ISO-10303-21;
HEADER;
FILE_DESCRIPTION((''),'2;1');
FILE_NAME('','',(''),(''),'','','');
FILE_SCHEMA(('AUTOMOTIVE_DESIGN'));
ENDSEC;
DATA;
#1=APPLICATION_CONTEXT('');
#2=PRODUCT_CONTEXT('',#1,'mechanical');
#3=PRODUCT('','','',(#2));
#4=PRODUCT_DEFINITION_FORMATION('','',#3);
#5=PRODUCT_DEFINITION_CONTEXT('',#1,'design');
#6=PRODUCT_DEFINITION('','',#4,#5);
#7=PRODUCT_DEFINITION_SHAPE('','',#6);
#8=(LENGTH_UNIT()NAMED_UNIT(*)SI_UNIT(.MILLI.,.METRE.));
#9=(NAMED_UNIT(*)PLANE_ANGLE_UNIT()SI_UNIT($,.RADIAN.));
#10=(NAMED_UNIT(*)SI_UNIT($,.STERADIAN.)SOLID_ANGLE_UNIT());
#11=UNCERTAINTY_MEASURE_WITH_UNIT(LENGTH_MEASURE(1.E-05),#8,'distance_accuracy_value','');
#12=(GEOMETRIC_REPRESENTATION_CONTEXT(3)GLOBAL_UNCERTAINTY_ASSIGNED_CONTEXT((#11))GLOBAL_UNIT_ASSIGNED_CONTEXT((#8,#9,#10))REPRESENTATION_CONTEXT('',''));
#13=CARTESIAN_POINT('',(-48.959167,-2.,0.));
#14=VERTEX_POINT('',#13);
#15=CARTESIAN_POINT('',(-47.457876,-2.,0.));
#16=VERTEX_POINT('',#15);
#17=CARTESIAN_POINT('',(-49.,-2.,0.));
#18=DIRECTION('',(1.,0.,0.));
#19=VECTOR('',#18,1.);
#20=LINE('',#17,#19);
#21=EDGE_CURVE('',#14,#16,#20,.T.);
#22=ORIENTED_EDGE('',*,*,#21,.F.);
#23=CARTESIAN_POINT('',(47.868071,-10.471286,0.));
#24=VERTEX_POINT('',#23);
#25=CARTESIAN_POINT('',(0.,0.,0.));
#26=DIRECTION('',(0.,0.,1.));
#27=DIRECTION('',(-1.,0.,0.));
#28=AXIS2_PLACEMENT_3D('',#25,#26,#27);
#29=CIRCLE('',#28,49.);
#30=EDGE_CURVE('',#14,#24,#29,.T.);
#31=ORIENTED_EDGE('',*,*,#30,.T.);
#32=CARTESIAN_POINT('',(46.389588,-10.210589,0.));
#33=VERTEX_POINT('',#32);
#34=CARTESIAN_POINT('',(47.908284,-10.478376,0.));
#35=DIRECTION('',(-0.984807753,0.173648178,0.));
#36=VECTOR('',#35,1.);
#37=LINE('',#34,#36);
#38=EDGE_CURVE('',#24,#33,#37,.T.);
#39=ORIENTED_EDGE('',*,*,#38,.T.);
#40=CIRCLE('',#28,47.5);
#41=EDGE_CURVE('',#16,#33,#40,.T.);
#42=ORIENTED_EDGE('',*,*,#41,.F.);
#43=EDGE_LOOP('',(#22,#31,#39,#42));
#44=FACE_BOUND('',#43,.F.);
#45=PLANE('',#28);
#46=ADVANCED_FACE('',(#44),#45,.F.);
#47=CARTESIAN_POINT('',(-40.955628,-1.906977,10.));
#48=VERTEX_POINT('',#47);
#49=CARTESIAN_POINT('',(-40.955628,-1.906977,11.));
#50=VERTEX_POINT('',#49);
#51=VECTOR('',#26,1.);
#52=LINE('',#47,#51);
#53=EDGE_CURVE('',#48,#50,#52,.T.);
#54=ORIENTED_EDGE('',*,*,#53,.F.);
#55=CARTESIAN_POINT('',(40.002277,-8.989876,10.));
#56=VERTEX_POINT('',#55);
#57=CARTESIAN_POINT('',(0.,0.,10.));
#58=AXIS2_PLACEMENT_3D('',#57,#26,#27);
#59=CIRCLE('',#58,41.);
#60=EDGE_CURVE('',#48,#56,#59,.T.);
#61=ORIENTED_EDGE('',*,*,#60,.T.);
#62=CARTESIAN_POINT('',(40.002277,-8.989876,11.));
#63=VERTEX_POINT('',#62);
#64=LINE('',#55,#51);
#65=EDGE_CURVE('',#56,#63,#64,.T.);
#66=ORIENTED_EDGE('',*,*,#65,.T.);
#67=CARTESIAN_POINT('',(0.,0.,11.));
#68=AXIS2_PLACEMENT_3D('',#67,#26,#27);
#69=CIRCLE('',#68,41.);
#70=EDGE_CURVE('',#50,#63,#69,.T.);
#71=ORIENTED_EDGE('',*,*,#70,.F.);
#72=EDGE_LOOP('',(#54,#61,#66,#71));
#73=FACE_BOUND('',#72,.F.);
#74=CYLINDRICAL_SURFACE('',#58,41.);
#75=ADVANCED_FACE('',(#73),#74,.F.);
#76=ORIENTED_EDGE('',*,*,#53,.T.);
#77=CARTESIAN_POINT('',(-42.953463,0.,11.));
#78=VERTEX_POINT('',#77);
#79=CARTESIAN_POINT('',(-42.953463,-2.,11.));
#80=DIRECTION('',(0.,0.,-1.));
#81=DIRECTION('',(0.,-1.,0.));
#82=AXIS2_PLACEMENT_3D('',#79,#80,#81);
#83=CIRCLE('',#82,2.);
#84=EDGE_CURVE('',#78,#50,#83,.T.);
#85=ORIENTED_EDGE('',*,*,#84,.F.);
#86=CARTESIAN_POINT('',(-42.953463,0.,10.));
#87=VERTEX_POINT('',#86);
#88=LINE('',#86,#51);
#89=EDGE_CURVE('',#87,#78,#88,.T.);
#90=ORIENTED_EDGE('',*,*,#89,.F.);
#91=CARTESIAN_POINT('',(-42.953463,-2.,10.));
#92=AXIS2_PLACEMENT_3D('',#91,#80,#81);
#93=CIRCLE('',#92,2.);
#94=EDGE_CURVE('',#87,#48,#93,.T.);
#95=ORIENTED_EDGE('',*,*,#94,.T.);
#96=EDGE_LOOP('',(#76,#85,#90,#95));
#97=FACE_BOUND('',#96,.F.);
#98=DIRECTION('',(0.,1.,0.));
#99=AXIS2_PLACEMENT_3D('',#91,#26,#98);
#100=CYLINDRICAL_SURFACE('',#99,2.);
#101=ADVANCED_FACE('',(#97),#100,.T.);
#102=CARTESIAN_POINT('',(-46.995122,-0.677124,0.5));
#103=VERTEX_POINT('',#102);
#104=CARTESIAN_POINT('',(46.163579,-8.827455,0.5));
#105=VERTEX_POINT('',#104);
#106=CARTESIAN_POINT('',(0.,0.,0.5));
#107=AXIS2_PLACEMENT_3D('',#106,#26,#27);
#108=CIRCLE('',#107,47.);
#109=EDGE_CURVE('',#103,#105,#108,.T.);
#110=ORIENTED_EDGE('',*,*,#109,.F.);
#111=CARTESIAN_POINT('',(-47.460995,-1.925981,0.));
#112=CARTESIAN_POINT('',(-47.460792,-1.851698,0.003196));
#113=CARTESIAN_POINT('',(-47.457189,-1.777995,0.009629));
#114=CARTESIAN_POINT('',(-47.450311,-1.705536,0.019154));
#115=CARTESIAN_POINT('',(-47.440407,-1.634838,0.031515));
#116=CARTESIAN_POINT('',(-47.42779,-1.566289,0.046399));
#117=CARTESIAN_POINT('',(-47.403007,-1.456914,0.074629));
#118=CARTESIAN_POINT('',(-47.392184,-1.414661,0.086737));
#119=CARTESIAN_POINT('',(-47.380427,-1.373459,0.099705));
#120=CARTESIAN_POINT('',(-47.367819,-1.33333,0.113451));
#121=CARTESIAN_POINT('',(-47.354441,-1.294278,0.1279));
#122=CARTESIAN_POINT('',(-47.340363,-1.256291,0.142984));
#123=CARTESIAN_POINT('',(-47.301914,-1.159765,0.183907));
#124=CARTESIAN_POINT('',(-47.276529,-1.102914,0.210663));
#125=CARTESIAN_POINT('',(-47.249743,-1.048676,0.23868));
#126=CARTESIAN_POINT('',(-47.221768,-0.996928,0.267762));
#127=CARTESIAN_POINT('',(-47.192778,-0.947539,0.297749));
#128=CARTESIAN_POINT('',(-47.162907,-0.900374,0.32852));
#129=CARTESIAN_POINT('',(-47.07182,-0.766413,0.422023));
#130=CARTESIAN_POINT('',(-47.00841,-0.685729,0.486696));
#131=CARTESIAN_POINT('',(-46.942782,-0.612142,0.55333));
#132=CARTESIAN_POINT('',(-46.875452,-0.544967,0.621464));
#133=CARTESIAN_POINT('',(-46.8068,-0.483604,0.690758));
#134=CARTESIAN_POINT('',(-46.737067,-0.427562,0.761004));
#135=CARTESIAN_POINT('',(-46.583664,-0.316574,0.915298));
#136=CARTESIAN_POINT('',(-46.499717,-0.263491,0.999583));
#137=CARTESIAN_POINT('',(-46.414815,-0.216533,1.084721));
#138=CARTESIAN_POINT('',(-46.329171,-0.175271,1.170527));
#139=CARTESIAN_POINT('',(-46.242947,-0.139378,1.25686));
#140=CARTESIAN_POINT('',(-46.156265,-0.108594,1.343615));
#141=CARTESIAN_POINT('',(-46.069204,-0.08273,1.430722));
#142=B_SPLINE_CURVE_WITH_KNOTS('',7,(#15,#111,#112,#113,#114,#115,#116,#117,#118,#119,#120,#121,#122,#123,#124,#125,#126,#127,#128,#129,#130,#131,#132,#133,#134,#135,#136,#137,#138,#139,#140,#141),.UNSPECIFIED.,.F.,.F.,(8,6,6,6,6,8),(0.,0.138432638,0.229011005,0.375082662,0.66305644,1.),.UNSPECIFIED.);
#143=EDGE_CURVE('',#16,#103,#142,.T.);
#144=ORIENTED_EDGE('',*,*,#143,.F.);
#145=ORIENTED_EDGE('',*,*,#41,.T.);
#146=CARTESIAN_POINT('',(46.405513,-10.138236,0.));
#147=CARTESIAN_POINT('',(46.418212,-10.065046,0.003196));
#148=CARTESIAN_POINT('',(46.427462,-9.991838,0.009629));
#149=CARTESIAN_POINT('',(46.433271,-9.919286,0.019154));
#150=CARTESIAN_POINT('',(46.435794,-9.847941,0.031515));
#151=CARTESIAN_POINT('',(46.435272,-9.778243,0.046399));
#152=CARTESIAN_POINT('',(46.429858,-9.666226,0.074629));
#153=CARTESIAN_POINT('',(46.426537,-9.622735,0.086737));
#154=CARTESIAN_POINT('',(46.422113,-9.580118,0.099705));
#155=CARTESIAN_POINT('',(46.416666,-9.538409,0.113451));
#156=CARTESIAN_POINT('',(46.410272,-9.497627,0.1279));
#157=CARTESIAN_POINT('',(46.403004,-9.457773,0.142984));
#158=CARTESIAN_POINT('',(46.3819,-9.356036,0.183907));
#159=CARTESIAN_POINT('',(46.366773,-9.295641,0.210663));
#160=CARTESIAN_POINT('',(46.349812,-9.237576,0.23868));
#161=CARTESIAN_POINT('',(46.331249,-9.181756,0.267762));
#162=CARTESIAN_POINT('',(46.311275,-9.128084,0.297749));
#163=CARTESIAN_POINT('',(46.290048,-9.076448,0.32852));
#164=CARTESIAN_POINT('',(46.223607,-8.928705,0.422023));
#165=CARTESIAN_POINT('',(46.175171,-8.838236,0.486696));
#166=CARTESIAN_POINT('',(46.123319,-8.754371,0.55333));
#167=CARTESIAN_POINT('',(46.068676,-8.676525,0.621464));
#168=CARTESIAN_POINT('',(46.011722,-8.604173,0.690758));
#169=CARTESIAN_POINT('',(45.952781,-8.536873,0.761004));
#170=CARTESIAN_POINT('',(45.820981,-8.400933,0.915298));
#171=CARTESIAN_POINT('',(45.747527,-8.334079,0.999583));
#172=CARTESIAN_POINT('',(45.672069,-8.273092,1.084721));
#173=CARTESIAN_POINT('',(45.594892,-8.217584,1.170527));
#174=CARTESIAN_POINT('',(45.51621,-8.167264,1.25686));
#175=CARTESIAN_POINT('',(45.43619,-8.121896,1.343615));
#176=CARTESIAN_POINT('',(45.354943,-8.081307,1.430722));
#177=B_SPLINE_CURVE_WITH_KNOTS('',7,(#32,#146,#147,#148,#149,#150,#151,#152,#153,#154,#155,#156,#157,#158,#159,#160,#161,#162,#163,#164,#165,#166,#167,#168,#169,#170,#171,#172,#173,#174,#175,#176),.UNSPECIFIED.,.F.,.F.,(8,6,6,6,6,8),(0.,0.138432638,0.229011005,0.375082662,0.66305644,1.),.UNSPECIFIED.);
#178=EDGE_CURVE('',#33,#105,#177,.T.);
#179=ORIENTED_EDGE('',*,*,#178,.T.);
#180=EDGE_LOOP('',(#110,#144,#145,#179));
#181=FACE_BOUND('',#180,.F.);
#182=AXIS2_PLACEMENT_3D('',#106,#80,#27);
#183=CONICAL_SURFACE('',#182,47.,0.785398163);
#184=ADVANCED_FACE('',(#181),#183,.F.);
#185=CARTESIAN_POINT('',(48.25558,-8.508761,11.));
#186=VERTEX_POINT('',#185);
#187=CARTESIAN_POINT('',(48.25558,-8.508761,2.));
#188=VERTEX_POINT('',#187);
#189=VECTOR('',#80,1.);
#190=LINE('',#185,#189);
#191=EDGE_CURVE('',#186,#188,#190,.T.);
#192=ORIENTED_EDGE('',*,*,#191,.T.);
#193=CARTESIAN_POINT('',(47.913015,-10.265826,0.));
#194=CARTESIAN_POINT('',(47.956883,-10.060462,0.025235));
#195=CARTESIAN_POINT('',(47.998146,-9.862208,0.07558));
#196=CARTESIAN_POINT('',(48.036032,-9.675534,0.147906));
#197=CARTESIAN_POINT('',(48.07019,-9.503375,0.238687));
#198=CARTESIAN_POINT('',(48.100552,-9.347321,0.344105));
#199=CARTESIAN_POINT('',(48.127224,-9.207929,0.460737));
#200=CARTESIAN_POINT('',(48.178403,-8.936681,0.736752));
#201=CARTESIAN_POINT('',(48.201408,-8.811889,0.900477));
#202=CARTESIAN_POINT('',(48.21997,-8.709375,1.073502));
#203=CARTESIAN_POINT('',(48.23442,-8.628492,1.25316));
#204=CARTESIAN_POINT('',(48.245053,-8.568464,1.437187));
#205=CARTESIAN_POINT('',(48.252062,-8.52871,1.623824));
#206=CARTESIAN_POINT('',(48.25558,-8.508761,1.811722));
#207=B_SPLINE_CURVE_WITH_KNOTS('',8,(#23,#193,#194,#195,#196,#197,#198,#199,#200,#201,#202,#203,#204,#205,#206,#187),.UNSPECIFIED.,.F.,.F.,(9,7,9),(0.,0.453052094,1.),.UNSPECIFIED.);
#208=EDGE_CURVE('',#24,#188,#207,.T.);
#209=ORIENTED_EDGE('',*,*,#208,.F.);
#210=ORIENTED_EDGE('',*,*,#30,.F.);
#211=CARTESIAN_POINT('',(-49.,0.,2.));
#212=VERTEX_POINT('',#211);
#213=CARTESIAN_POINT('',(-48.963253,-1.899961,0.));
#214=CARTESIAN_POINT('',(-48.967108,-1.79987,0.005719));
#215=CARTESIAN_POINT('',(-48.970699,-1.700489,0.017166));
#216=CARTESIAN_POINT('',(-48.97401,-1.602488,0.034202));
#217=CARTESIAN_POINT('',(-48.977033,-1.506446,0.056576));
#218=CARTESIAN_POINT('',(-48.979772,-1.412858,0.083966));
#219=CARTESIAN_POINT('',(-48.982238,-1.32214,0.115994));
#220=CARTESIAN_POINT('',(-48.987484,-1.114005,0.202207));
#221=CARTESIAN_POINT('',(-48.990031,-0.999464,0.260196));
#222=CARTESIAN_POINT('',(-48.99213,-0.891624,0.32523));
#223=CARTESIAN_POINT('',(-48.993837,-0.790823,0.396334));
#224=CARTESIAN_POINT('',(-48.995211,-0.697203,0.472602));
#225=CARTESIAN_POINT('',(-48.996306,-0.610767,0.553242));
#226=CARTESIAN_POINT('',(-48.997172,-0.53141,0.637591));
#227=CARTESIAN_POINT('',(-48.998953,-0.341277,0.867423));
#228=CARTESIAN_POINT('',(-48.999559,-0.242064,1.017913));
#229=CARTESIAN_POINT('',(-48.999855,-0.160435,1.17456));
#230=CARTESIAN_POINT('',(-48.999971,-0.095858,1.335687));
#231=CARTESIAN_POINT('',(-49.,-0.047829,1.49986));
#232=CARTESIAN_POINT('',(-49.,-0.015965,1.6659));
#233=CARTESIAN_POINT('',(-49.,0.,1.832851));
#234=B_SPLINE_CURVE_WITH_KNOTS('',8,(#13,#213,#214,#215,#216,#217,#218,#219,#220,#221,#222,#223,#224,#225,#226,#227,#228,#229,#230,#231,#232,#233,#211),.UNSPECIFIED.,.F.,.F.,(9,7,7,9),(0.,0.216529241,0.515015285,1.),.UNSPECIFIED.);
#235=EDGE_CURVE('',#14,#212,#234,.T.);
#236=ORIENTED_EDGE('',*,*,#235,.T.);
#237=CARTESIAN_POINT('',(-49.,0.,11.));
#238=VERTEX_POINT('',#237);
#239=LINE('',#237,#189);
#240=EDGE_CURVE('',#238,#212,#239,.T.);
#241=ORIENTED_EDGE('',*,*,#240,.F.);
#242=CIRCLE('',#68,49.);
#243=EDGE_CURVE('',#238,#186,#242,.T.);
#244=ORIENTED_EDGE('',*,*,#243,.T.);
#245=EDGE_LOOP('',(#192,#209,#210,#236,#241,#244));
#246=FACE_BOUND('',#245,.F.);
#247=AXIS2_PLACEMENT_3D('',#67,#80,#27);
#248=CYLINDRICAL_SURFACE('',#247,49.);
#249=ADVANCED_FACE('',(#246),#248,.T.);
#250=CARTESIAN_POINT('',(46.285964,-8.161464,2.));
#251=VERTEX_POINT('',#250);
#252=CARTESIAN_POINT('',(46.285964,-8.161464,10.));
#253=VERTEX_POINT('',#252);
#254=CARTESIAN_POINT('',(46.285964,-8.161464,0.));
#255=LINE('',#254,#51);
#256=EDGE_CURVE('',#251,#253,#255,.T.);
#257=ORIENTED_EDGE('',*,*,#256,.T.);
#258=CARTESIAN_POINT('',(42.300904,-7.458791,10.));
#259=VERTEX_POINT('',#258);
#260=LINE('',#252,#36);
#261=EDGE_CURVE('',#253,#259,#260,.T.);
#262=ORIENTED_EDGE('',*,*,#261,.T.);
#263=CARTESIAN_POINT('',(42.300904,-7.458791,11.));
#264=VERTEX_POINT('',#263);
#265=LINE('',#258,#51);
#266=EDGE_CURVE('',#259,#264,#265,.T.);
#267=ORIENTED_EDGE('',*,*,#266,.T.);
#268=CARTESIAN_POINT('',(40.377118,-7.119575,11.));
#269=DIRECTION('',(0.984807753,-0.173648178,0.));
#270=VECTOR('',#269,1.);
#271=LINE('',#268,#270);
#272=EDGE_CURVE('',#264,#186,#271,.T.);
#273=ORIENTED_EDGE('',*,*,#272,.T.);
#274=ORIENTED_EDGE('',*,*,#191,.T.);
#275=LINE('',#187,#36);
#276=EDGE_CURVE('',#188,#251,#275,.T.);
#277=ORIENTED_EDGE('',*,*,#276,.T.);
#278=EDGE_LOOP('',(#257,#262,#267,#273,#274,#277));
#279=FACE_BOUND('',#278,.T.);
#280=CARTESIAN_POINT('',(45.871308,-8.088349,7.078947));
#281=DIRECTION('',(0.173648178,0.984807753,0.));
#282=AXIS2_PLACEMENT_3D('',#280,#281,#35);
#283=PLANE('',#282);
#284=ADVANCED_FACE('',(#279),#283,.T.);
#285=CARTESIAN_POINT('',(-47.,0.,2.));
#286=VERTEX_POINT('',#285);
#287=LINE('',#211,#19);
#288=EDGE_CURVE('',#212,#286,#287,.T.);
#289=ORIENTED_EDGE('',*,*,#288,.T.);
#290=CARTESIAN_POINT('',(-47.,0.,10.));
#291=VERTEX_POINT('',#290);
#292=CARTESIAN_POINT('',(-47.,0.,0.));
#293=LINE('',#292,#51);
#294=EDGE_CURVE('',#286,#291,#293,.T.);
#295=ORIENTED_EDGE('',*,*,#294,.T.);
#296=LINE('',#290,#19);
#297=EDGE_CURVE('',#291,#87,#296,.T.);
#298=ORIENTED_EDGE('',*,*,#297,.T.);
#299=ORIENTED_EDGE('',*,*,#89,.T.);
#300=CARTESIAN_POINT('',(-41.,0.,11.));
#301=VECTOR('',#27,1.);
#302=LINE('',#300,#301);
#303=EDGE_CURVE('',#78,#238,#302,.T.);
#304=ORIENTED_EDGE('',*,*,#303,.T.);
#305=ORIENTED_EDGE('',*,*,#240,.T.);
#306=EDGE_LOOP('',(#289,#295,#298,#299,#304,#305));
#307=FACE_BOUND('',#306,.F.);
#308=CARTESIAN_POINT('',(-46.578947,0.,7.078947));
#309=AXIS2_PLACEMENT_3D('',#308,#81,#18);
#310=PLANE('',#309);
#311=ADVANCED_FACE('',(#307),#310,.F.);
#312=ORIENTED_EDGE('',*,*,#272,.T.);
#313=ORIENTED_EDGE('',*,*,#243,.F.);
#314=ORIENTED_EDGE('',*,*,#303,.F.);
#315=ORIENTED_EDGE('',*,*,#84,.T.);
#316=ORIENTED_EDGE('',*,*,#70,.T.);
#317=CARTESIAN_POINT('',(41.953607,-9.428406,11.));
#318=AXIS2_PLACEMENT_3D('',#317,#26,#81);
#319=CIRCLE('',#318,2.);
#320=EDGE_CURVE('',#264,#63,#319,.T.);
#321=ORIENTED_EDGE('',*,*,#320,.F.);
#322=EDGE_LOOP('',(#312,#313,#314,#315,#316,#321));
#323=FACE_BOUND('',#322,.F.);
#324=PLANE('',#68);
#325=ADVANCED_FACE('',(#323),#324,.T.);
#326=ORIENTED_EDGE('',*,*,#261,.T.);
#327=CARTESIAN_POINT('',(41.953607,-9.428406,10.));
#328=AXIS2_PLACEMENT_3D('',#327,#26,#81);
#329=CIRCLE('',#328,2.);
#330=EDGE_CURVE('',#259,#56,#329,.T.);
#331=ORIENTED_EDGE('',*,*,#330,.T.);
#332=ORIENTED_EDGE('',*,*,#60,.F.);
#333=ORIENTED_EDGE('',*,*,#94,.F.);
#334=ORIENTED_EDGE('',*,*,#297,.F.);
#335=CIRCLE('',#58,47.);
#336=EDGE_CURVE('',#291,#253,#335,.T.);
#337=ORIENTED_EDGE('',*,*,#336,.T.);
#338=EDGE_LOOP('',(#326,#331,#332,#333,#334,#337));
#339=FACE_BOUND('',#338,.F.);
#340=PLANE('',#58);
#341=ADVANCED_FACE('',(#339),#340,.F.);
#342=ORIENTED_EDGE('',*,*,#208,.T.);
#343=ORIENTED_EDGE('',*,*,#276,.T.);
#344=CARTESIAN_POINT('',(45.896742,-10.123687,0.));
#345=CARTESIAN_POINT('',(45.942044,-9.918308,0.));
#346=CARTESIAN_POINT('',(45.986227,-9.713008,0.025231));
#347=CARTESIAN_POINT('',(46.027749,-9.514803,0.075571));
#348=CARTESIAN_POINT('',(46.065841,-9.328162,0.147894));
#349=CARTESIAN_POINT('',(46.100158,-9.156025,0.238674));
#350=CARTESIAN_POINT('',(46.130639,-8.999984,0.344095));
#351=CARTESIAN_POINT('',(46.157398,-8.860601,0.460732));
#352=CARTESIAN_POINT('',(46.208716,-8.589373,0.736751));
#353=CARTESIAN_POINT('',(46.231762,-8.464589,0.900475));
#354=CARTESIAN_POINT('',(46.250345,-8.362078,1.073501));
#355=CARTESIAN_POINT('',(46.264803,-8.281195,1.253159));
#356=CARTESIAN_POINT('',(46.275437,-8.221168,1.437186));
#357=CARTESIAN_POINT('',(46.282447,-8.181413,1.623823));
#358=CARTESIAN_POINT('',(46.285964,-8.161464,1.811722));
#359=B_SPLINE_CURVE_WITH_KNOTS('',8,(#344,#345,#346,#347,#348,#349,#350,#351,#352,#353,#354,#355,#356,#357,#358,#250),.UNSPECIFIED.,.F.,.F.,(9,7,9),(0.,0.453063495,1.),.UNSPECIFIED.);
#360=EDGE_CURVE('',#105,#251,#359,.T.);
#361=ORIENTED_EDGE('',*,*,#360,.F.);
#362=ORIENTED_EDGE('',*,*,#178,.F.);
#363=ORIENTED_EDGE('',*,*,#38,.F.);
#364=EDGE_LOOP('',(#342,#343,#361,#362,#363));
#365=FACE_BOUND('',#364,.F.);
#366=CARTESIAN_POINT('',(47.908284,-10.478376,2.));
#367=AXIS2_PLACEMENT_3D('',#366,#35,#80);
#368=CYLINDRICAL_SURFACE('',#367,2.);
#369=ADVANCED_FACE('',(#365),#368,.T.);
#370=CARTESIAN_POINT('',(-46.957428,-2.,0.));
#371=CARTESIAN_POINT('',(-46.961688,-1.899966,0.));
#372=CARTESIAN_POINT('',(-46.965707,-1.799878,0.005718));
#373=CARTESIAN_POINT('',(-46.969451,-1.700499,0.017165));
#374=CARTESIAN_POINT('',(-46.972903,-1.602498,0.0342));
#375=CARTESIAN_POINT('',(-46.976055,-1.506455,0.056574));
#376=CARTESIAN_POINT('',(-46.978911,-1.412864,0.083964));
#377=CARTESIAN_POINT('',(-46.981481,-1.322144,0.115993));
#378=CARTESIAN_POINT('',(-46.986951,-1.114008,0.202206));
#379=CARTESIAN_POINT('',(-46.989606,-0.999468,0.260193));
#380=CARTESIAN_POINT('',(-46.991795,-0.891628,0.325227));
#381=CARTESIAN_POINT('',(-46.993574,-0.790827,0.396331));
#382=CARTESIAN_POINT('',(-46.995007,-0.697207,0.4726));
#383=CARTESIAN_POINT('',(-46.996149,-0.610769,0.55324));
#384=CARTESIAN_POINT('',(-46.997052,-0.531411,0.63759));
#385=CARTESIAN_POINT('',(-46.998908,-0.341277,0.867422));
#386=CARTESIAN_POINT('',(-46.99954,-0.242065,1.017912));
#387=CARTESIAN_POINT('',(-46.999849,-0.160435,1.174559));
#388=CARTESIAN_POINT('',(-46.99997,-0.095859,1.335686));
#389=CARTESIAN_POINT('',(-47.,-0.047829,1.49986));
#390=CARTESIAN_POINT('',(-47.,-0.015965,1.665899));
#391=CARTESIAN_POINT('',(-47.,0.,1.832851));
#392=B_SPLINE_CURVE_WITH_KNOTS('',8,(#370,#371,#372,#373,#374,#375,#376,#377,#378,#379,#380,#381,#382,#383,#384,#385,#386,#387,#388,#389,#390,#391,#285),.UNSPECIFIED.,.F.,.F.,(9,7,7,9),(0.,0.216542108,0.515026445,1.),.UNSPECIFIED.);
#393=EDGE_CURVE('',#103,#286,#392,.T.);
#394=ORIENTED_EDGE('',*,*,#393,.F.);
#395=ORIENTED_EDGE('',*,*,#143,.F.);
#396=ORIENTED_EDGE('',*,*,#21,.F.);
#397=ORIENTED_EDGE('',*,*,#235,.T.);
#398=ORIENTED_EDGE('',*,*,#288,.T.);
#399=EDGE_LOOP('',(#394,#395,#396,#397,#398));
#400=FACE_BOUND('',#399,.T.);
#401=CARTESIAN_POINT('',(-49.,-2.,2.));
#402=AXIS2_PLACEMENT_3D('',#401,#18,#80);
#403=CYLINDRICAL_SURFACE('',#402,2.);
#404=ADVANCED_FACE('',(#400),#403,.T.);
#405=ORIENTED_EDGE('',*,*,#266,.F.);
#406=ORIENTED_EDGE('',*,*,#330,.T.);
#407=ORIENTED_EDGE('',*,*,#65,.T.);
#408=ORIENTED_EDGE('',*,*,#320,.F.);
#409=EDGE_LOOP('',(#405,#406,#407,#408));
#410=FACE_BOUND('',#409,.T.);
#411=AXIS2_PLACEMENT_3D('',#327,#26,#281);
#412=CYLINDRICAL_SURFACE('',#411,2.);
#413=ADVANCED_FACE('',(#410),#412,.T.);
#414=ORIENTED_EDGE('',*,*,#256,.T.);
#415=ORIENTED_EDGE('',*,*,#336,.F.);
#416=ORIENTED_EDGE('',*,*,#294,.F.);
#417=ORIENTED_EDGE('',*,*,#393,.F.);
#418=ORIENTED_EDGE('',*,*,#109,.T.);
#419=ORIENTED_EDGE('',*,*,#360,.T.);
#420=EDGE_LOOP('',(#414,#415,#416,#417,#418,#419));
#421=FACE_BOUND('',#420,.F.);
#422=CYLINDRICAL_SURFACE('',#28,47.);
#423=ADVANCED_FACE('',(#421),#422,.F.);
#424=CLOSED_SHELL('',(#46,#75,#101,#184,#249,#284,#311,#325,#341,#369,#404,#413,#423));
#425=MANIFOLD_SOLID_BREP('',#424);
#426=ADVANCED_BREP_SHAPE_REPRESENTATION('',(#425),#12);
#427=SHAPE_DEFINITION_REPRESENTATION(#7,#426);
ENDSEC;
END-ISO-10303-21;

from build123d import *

# Parameters (mm, degrees)
F1_ANGLE = 170
F2_SIZE  = 0.5
F3_R     = 2


with BuildPart() as f1:
    # F0 (on Front) → F1 (revolve)
    with BuildSketch(Plane.XZ):
        Polygon((-49, 11), (-49, 0), (-47, 0), (-47, 10), (-41, 10), (-41, 11), align=None)
    revolve(axis=Axis((0, 0, 4.248688), (0, 0, 1)), revolution_arc=F1_ANGLE)

    # F2
    f2_edges = [f1.edges().sort_by_distance(p)[0] for p in [
        (-4.09632, -46.821151, 0),
    ]]
    chamfer(f2_edges, length=F2_SIZE)

    # F3
    f3_edges = [f1.edges().sort_by_distance(p)[0] for p in [
        (47.516974, -8.378525, 0),
        (-48.25, 0, 0),
        (-41, 0, 10.5),
        (40.377118, -7.119575, 10.5),
    ]]
    fillet(f3_edges, radius=F3_R)


solid = f1.part
